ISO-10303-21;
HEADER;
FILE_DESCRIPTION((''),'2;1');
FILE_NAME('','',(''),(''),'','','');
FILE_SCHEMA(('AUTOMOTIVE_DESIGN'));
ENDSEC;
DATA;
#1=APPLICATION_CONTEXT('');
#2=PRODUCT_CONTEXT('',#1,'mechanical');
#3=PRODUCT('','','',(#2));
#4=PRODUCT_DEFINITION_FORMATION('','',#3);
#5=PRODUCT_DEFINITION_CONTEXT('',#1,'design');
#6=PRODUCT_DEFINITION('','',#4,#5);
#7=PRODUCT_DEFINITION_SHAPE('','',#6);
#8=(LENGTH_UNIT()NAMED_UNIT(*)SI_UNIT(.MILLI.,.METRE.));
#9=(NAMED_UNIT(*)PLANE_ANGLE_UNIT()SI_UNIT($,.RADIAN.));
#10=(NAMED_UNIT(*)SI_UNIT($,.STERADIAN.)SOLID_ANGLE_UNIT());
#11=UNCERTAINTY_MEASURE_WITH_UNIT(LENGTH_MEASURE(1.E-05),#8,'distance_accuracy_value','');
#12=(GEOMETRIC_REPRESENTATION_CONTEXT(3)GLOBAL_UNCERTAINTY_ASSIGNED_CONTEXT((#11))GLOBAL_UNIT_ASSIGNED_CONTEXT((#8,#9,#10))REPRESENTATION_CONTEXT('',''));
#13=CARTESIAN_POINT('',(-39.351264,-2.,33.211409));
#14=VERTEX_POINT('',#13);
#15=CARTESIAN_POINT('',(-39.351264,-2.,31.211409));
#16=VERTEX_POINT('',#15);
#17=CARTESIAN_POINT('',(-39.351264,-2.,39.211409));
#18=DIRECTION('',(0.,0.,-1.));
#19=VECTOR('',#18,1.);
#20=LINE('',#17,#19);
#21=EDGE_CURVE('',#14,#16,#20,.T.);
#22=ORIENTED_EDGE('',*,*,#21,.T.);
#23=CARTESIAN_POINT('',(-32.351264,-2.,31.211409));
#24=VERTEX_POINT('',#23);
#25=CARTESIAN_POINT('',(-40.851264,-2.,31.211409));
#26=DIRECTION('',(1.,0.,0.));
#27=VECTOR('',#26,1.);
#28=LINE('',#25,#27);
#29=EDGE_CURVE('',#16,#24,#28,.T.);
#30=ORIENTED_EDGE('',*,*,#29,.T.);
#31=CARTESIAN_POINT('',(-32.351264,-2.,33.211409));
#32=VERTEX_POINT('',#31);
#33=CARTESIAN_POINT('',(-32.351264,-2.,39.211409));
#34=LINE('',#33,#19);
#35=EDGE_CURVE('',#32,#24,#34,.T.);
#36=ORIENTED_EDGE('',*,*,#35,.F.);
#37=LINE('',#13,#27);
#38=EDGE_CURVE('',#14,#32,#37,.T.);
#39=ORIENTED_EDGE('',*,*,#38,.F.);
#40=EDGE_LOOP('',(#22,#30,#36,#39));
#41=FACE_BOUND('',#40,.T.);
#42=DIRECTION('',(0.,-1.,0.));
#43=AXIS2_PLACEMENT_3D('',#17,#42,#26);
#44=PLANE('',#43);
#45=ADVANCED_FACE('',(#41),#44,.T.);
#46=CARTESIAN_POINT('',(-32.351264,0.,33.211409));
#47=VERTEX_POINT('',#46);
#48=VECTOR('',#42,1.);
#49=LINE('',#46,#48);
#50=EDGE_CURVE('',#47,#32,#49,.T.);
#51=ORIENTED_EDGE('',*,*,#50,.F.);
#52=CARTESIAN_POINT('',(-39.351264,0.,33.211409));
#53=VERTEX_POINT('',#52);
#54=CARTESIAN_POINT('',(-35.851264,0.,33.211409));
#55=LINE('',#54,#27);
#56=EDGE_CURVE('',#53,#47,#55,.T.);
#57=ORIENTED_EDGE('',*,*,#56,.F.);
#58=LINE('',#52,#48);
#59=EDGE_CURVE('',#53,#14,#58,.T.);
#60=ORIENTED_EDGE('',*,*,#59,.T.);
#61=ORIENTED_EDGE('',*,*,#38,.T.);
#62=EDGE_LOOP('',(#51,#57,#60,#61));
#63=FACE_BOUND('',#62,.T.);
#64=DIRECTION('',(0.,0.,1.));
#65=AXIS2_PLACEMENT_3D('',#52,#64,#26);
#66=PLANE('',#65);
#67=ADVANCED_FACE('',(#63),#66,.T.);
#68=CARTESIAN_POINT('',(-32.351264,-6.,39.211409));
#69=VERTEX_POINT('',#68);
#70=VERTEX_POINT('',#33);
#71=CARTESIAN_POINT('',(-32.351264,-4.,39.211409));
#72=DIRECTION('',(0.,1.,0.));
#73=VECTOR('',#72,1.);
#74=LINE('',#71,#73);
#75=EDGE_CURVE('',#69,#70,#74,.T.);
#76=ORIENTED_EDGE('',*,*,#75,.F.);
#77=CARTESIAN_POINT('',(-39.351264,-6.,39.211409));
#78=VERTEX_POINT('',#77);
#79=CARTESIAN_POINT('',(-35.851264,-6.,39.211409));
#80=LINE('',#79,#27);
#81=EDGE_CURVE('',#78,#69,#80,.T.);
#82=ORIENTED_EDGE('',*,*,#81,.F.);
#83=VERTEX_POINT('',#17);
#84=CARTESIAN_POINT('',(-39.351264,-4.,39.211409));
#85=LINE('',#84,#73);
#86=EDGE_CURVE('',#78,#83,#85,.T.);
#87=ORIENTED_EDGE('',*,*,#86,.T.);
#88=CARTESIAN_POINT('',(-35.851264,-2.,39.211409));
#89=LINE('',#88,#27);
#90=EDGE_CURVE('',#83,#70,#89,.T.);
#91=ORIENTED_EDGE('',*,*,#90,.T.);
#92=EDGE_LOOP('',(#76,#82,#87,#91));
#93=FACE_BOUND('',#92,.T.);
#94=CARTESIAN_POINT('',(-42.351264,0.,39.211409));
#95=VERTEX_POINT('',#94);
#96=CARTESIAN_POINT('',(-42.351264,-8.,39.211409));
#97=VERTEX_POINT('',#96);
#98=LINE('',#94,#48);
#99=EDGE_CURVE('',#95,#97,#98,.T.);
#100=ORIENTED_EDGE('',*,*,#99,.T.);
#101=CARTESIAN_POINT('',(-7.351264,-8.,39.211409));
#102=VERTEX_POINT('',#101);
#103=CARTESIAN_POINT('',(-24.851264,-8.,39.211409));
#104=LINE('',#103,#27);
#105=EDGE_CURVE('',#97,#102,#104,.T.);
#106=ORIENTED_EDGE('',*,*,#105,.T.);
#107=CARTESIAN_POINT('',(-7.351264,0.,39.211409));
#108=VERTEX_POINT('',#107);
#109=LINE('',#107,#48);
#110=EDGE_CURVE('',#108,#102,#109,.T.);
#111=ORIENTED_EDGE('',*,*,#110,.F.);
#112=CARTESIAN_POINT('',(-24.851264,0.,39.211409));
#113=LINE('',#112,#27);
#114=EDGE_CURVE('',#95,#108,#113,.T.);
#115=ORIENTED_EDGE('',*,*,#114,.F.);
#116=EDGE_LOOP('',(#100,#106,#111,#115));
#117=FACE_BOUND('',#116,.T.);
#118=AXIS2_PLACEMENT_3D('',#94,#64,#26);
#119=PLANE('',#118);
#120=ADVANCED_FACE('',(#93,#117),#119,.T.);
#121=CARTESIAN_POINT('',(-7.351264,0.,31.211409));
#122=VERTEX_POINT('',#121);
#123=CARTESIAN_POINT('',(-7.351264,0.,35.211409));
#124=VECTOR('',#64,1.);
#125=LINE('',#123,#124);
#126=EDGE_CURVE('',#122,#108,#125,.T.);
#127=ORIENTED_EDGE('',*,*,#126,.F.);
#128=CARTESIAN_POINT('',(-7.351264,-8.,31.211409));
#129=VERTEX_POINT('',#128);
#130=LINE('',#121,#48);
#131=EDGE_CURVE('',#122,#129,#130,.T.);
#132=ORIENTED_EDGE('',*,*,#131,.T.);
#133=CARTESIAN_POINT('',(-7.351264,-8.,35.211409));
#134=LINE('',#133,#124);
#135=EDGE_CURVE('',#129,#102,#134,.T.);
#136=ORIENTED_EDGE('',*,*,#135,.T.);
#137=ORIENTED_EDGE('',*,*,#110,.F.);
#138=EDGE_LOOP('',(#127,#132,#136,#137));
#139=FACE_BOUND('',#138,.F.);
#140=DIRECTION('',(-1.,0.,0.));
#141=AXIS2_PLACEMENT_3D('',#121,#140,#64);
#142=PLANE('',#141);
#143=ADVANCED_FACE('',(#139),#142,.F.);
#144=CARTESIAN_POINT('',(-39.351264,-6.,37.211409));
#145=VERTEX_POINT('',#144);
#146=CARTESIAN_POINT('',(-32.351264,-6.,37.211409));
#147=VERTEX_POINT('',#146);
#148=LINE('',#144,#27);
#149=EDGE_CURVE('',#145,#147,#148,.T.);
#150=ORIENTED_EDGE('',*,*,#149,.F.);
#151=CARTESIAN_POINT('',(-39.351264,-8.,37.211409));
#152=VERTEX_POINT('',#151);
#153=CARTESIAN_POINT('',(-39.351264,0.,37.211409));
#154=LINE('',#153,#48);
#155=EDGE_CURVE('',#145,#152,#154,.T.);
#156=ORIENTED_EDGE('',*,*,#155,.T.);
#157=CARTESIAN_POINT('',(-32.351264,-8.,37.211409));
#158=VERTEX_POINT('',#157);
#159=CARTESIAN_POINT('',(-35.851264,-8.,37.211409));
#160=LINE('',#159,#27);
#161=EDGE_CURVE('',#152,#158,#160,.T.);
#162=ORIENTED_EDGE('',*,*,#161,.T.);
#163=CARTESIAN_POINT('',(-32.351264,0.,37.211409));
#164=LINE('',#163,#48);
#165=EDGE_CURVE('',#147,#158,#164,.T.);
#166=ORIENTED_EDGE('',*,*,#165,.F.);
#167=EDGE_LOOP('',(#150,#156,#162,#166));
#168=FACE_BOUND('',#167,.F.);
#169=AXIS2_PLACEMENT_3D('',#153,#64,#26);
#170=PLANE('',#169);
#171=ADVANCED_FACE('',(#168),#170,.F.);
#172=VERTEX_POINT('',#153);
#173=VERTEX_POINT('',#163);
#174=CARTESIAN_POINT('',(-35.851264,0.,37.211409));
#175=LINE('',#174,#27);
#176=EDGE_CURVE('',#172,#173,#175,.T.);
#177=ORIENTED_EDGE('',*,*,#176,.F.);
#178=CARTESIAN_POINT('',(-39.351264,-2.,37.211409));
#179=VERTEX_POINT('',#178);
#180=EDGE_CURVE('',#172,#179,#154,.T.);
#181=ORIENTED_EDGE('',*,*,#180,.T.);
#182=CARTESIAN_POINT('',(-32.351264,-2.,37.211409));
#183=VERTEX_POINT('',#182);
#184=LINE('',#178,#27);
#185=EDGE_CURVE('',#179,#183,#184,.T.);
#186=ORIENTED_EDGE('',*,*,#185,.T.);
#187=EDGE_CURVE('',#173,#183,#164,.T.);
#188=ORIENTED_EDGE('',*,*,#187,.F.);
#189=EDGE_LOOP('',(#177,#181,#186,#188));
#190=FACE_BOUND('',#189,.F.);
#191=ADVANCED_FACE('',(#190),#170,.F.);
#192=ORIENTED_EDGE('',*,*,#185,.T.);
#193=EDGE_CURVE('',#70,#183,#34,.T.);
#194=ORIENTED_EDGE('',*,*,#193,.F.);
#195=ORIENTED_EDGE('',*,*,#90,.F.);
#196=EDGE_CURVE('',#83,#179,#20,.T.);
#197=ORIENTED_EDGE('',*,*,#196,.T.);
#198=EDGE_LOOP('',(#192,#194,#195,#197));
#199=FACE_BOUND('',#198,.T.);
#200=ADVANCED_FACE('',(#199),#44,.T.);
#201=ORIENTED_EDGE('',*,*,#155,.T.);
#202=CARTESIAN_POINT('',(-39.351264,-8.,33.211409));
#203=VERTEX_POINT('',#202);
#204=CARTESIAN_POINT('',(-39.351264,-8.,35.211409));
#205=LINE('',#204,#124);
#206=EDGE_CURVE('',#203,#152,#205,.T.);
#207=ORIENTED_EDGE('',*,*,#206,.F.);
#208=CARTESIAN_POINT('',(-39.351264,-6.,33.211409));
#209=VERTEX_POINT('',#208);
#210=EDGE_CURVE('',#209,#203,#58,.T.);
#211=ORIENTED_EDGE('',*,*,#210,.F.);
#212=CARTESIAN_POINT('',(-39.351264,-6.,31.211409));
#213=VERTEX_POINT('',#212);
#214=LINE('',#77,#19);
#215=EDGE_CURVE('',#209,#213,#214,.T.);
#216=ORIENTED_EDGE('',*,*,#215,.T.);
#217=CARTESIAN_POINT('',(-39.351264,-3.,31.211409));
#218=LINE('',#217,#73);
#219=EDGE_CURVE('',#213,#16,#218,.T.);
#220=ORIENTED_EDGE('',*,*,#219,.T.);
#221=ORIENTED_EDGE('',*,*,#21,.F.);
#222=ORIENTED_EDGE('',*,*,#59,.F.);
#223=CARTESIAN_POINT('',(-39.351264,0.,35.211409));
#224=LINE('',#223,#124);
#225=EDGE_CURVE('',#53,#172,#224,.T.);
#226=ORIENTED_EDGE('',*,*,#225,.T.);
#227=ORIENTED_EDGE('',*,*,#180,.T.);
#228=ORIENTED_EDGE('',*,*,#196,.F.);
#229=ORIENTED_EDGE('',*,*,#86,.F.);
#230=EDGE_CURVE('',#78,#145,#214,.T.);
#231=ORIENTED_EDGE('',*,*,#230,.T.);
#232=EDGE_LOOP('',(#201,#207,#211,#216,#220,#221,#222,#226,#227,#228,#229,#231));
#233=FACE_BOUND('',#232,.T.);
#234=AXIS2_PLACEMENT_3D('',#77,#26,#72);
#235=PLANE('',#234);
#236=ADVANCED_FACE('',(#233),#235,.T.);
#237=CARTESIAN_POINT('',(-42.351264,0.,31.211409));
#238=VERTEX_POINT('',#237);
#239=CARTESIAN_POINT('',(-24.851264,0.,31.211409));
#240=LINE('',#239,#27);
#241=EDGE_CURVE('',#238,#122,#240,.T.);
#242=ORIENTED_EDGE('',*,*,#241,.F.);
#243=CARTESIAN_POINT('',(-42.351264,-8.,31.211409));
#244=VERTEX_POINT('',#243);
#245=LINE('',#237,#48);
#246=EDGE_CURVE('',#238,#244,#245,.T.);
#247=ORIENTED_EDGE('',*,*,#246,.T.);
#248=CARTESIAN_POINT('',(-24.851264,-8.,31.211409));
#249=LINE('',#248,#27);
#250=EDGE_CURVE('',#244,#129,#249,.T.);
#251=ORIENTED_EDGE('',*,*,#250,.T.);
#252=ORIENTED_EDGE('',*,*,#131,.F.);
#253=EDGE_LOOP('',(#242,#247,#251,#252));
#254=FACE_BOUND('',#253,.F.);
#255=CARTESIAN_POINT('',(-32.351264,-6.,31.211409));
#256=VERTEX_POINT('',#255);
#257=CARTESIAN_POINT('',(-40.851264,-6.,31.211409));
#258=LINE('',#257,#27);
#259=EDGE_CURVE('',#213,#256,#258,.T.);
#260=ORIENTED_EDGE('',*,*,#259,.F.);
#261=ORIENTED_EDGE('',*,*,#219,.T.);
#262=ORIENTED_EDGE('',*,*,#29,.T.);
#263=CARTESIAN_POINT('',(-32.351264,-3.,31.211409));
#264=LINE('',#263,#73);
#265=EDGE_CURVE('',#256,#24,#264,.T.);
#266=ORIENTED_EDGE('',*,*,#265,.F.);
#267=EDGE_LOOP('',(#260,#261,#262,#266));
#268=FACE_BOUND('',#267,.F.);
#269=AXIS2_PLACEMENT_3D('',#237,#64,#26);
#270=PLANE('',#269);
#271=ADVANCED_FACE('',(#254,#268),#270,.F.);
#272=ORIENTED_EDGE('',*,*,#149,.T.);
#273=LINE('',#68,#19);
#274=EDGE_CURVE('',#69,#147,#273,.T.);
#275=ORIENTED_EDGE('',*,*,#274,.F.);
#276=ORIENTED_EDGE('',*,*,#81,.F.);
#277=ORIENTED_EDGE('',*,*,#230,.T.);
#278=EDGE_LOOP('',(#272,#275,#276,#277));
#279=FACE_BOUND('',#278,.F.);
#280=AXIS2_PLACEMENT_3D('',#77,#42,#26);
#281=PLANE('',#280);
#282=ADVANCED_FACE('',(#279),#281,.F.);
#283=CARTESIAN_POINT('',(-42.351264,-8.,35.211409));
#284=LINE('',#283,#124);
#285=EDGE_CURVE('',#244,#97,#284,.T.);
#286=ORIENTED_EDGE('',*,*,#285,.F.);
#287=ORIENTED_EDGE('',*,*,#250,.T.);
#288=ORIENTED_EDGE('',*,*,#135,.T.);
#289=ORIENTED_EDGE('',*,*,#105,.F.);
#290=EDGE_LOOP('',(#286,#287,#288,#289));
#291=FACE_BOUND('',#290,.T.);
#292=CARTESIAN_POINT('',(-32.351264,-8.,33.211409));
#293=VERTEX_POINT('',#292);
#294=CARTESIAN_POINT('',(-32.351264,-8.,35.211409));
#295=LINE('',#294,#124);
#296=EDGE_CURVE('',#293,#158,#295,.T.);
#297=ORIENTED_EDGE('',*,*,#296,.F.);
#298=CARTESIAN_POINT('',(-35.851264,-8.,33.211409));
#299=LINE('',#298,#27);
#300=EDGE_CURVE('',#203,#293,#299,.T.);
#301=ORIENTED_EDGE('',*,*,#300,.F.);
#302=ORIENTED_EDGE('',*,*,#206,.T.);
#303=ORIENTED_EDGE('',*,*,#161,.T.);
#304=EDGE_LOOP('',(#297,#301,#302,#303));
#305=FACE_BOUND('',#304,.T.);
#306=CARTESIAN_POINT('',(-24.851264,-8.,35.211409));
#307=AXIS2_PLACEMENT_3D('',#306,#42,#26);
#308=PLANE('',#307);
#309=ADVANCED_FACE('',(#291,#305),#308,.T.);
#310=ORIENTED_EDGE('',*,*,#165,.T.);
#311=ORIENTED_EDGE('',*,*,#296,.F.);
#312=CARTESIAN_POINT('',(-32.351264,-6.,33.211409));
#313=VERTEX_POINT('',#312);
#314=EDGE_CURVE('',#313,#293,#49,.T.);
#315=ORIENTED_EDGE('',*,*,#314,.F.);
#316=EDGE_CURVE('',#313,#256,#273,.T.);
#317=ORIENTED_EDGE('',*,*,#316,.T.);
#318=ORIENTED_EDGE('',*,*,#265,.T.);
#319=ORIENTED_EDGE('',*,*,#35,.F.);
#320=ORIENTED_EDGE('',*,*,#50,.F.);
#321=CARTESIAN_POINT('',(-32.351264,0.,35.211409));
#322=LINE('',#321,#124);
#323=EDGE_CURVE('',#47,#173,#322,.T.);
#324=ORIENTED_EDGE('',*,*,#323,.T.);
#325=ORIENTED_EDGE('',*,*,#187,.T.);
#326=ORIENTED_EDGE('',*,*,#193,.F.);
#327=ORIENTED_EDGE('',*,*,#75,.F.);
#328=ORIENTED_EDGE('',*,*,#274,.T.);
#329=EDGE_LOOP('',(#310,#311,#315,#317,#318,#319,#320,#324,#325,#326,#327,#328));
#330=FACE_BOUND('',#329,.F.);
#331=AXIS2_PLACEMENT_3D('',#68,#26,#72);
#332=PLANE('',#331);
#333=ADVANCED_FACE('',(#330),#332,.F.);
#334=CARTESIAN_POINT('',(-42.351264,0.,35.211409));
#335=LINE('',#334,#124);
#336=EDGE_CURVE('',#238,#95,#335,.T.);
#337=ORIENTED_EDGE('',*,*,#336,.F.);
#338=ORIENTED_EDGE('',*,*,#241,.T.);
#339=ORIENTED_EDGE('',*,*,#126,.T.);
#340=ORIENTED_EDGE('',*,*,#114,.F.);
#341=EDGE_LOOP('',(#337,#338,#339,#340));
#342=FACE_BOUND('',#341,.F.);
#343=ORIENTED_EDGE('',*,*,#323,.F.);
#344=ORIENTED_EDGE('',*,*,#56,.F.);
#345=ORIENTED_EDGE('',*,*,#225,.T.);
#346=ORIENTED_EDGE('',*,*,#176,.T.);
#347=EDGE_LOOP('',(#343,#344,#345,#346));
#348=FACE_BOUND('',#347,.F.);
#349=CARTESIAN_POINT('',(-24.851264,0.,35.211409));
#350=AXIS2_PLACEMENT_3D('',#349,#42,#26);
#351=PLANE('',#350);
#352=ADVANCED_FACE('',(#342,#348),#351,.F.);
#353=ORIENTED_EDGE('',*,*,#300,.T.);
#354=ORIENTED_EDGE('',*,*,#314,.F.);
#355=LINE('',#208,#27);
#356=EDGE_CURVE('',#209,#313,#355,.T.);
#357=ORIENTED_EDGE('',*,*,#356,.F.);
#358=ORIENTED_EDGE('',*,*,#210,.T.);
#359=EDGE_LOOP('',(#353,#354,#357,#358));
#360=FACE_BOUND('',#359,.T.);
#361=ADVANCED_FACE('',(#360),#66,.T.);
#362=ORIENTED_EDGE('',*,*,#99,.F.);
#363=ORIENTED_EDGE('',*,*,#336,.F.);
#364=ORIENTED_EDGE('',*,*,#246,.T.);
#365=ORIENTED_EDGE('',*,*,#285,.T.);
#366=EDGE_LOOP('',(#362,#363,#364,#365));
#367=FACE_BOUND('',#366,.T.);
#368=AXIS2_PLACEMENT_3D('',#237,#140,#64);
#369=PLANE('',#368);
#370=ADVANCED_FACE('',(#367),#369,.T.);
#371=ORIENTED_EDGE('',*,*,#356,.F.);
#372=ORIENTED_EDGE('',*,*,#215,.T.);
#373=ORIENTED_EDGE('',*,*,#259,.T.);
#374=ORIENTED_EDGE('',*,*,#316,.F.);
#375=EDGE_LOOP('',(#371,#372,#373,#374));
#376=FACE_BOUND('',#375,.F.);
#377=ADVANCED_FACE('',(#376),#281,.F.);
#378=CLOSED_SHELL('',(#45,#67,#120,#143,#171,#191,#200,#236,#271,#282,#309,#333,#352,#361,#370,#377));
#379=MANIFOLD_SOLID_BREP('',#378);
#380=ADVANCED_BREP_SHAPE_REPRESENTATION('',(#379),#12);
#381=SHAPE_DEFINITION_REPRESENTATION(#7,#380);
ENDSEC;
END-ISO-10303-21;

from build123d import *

# Parameters (mm, degrees)
F0_W     = 35
F0_H     = 8
F0_W_2   = 7
F0_H_2   = 4
F1_DEPTH = 8
F2_W     = 7
F2_H     = 4
F3_DEPTH = 25


with BuildPart() as f1:
    # F0 (on Front) → F1 (new body)
    with BuildSketch(Plane.XZ):
        with Locations((-24.851264, 35.211409)):
            Rectangle(F0_W, F0_H)
        with Locations((-35.851264, 35.211409)):
            Rectangle(F0_W_2, F0_H_2, mode=Mode.SUBTRACT)
    extrude(amount=F1_DEPTH)

    # F2 (on face) → F3 (cut)
    with BuildSketch(Plane.XY.offset(39.211409)):
        with Locations((-35.851264, -4)):
            Rectangle(F2_W, F2_H)
    extrude(amount=-F3_DEPTH, mode=Mode.SUBTRACT)


solid = f1.part
